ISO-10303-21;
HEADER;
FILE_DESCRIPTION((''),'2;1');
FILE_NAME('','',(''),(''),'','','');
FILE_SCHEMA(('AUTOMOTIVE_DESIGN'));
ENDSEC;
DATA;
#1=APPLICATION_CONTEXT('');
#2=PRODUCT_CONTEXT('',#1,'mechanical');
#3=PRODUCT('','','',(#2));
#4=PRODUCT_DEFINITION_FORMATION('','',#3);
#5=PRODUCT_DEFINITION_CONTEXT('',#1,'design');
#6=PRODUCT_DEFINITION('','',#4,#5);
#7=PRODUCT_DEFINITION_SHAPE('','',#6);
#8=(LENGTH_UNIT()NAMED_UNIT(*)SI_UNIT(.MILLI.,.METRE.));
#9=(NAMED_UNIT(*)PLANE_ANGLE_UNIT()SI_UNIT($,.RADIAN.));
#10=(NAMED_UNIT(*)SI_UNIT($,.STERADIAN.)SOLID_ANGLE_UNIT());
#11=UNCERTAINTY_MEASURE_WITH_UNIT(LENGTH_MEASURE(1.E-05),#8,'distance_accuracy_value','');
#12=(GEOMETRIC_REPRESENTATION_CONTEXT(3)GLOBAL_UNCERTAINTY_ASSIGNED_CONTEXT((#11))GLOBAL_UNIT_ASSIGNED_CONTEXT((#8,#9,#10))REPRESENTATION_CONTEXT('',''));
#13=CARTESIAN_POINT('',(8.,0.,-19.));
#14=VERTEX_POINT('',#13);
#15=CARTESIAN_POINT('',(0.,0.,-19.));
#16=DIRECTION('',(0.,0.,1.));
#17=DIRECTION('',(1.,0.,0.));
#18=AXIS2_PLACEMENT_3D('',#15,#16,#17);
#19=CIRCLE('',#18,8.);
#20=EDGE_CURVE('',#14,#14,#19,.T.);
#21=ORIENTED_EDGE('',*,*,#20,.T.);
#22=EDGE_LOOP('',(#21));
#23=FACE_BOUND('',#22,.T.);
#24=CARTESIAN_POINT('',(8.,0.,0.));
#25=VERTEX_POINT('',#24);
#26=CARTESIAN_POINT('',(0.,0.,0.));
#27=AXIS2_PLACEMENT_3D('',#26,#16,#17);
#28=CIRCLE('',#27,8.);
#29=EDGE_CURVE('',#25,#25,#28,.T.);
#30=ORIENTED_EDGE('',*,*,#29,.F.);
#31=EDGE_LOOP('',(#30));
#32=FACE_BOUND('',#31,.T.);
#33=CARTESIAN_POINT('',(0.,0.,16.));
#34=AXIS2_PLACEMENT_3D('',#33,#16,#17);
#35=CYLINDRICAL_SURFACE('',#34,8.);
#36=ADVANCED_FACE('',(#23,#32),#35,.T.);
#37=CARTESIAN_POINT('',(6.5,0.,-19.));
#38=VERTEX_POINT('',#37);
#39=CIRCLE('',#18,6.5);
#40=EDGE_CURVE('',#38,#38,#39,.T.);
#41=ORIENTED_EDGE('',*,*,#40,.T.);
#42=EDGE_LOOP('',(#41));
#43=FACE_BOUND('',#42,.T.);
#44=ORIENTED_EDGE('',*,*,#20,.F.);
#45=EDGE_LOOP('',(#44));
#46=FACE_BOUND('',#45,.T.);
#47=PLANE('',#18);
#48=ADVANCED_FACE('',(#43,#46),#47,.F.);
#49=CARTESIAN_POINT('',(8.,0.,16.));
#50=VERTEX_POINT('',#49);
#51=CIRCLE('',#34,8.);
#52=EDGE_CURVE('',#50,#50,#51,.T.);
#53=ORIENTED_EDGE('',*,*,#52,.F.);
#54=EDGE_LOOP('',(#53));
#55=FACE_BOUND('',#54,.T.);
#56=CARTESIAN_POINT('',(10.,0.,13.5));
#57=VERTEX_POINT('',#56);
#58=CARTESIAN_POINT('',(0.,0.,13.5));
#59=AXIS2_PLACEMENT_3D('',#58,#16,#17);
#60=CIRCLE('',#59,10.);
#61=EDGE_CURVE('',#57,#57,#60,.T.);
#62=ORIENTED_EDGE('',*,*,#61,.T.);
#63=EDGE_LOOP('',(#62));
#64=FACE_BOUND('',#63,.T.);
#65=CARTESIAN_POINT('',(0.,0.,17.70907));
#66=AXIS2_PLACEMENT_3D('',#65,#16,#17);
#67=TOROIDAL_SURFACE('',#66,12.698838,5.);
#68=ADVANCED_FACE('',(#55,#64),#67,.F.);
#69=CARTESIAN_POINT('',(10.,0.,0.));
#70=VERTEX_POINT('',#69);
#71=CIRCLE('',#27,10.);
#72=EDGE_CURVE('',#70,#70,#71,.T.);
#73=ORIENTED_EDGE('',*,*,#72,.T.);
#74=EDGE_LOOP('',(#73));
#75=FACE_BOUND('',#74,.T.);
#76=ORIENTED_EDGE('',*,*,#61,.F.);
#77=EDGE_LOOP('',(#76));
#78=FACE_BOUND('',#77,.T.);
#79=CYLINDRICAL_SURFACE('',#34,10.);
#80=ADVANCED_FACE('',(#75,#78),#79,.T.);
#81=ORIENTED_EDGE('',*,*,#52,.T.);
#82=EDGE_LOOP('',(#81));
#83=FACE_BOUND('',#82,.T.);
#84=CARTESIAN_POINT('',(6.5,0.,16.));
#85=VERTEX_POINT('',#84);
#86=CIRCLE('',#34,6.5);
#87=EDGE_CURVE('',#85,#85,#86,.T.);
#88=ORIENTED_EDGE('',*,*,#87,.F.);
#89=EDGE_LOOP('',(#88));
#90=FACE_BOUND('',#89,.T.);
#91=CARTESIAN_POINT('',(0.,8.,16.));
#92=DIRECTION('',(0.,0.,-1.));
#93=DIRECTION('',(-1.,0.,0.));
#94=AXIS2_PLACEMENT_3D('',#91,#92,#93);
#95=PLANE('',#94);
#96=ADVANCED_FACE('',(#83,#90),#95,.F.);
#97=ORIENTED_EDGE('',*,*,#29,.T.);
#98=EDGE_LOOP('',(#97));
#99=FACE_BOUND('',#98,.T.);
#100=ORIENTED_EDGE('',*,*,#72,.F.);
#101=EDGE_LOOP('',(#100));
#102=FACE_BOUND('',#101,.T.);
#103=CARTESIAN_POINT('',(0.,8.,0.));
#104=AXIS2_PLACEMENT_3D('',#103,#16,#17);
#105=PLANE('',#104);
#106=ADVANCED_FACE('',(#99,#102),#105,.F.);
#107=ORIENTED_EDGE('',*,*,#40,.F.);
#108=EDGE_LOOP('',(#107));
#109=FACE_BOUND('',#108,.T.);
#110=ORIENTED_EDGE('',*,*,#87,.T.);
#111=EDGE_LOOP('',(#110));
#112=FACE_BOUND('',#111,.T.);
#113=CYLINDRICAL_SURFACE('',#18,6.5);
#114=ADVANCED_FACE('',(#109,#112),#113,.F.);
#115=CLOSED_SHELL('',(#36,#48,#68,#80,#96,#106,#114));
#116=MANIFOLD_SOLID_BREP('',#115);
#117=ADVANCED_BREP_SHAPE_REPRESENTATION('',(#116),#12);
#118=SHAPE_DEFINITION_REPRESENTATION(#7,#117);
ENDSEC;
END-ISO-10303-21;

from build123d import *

# Parameters (mm, degrees)
SKETCH_2_R          = 6.5
CUT_EXTRUDE_1_DEPTH = 38.749172176


with BuildPart() as part:
    # Эскиз1 → Повернуть1 (revolve)
    with BuildSketch(Plane(origin=(0, 0, 0), x_dir=(0, 0, -1), z_dir=(1, 0, 0)), mode=Mode.PRIVATE) as revolve_1_sk:
        with BuildLine():
            Line((0, 8), (0, 10))
            Line((0, 10), (-13.5, 10))
            ThreePointArc((-13.5, 10), (-14.58559515, 8.794493938), (-16, 8))
            Line((-16, 8), (-16, 0))
            Line((-16, 0), (19, 0))
            Line((19, 0), (19, 8))
            Line((19, 8), (0, 8))
        make_face()
    revolve(revolve_1_sk.sketch.rotate(Axis((0, 0, 16), (0, 0, -1)), 90), axis=Axis((0, 0, 16), (0, 0, -1)))

    # Эскиз2 → Вырез-Вытянуть1 (cut, through all)
    with BuildSketch(Plane.XY.offset(16)):
        Circle(SKETCH_2_R)
    extrude(amount=-CUT_EXTRUDE_1_DEPTH, mode=Mode.SUBTRACT)


solid = part.part
